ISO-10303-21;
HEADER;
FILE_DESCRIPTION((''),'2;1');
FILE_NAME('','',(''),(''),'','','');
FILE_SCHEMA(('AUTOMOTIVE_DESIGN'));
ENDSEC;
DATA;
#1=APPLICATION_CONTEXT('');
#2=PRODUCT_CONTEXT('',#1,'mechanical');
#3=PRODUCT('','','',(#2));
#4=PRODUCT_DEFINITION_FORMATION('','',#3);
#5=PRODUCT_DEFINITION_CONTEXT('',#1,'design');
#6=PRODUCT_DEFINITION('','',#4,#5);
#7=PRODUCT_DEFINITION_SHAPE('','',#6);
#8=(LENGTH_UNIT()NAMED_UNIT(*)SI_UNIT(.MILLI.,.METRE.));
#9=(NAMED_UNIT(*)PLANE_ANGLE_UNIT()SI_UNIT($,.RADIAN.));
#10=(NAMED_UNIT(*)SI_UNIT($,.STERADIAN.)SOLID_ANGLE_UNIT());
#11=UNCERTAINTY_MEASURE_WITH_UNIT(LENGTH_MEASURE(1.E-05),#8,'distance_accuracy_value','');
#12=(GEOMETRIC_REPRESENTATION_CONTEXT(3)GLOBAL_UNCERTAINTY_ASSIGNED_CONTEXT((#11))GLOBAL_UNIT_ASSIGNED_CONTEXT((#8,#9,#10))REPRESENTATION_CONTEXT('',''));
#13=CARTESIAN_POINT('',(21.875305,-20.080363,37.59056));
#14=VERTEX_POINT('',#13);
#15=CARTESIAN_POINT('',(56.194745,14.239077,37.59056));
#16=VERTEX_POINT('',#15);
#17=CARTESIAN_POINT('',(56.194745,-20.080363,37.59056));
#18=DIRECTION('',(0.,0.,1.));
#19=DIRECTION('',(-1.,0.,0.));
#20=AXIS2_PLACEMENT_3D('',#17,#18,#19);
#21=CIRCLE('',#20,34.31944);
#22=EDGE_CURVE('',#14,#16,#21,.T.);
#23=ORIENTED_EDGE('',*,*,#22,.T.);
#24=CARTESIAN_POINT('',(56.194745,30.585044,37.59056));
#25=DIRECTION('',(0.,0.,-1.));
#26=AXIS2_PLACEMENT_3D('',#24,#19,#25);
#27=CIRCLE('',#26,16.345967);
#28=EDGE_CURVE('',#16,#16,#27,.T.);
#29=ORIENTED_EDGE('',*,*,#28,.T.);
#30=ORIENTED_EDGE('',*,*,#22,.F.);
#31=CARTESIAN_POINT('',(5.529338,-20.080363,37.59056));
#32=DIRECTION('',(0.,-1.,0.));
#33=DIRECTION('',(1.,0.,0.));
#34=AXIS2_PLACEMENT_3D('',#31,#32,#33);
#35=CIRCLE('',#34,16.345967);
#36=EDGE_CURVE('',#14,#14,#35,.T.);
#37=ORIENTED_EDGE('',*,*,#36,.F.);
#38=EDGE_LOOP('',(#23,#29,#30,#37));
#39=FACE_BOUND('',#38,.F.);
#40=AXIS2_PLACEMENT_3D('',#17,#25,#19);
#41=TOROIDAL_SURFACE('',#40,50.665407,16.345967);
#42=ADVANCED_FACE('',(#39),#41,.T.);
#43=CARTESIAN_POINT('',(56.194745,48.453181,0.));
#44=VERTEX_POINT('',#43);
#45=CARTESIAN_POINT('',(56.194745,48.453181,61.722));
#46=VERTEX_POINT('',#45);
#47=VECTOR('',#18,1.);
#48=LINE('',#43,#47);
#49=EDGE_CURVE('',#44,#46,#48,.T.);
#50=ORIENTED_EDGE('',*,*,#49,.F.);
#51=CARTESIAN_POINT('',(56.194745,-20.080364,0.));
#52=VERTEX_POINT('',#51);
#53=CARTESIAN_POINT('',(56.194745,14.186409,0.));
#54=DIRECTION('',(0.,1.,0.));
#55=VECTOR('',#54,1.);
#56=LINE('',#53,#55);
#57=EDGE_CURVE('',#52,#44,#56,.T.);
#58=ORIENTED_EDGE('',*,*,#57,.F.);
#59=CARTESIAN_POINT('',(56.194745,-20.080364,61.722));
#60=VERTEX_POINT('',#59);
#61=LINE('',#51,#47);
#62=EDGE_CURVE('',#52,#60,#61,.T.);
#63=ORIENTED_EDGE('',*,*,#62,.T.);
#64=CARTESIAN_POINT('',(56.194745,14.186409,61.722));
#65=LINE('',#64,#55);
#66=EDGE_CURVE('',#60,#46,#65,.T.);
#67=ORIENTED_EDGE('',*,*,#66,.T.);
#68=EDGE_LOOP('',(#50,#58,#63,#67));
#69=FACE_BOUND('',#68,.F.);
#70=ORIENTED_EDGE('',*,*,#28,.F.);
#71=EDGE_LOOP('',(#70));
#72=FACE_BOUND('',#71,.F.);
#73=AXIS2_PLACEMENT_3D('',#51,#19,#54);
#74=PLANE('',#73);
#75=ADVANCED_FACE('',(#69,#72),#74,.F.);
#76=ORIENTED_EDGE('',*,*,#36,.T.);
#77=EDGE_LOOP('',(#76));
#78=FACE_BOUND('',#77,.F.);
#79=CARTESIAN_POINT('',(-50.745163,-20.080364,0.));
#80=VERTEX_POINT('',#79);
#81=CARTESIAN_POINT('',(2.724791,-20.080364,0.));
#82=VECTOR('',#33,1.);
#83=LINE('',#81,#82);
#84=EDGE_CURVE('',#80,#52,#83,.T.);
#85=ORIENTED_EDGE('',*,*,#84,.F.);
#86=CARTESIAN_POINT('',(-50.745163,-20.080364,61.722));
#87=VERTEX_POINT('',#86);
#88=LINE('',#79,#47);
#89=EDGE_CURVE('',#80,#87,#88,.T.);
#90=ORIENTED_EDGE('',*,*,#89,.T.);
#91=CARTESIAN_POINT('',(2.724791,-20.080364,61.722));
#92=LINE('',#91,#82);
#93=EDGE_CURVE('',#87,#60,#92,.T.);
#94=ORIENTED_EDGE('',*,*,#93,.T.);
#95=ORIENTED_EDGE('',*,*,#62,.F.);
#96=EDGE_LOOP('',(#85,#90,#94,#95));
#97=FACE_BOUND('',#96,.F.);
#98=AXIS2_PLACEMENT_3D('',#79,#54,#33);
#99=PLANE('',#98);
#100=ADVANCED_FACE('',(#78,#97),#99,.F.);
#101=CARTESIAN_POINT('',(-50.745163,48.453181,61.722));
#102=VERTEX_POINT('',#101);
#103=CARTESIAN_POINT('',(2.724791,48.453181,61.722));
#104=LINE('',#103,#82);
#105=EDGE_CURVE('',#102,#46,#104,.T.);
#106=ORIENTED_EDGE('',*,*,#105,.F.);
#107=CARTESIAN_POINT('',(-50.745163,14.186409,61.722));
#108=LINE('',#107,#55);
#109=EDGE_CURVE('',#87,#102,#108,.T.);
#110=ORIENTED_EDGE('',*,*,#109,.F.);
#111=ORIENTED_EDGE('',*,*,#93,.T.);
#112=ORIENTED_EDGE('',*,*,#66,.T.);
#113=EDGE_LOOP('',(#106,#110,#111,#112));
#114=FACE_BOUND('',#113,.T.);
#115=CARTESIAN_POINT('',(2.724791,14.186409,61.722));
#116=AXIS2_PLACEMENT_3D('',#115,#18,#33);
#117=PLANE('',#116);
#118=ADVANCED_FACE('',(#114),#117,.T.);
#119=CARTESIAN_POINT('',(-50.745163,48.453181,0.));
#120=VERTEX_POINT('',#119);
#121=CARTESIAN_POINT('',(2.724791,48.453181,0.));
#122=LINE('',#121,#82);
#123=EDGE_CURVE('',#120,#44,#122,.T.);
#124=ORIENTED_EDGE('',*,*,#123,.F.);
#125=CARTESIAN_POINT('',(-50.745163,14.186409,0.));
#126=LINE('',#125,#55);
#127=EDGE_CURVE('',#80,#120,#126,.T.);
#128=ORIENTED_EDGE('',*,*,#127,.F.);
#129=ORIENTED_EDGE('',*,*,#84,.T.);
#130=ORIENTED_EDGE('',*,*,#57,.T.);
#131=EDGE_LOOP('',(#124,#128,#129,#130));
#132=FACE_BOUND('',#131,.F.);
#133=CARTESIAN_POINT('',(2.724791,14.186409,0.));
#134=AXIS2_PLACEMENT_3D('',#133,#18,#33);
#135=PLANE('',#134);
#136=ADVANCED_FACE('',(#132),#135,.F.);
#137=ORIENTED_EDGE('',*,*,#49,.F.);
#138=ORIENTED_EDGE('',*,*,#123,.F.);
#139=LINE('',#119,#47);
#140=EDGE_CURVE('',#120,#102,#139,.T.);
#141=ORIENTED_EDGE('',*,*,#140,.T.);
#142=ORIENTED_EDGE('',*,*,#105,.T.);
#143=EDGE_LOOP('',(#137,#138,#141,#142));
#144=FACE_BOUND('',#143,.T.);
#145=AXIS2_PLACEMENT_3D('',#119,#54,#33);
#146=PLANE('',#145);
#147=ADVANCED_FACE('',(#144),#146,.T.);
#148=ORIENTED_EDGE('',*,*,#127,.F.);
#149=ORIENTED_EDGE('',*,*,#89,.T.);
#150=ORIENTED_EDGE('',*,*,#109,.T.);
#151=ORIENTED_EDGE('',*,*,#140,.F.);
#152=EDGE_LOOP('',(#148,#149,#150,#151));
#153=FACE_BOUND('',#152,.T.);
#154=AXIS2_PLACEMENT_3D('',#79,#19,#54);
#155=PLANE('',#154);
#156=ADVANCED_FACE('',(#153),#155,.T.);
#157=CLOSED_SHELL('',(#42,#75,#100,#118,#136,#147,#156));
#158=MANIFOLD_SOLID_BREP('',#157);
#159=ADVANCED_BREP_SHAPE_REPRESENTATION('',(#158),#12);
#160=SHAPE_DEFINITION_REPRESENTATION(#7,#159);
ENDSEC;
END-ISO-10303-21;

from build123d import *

# Parameters (mm, degrees)
F0_W     = 106.939908
F0_H     = 68.533545
F1_DEPTH = 61.722
F2_R     = 16.345967


with BuildPart() as f1:
    # F0 (on Top) → F1 (new body)
    with BuildSketch(Plane.XY):
        with Locations((2.724791, 14.186409)):
            Rectangle(F0_W, F0_H)
    extrude(amount=F1_DEPTH)

    # F2 (on face) → F3 (revolve)
    with BuildSketch(Plane.XZ.offset(20.080363)):
        with Locations((5.529338, 37.59056)):
            Circle(F2_R)
    revolve(axis=Axis((56.194745, -20.080363, 30.861), (0, 0, 1)))


solid = f1.part
